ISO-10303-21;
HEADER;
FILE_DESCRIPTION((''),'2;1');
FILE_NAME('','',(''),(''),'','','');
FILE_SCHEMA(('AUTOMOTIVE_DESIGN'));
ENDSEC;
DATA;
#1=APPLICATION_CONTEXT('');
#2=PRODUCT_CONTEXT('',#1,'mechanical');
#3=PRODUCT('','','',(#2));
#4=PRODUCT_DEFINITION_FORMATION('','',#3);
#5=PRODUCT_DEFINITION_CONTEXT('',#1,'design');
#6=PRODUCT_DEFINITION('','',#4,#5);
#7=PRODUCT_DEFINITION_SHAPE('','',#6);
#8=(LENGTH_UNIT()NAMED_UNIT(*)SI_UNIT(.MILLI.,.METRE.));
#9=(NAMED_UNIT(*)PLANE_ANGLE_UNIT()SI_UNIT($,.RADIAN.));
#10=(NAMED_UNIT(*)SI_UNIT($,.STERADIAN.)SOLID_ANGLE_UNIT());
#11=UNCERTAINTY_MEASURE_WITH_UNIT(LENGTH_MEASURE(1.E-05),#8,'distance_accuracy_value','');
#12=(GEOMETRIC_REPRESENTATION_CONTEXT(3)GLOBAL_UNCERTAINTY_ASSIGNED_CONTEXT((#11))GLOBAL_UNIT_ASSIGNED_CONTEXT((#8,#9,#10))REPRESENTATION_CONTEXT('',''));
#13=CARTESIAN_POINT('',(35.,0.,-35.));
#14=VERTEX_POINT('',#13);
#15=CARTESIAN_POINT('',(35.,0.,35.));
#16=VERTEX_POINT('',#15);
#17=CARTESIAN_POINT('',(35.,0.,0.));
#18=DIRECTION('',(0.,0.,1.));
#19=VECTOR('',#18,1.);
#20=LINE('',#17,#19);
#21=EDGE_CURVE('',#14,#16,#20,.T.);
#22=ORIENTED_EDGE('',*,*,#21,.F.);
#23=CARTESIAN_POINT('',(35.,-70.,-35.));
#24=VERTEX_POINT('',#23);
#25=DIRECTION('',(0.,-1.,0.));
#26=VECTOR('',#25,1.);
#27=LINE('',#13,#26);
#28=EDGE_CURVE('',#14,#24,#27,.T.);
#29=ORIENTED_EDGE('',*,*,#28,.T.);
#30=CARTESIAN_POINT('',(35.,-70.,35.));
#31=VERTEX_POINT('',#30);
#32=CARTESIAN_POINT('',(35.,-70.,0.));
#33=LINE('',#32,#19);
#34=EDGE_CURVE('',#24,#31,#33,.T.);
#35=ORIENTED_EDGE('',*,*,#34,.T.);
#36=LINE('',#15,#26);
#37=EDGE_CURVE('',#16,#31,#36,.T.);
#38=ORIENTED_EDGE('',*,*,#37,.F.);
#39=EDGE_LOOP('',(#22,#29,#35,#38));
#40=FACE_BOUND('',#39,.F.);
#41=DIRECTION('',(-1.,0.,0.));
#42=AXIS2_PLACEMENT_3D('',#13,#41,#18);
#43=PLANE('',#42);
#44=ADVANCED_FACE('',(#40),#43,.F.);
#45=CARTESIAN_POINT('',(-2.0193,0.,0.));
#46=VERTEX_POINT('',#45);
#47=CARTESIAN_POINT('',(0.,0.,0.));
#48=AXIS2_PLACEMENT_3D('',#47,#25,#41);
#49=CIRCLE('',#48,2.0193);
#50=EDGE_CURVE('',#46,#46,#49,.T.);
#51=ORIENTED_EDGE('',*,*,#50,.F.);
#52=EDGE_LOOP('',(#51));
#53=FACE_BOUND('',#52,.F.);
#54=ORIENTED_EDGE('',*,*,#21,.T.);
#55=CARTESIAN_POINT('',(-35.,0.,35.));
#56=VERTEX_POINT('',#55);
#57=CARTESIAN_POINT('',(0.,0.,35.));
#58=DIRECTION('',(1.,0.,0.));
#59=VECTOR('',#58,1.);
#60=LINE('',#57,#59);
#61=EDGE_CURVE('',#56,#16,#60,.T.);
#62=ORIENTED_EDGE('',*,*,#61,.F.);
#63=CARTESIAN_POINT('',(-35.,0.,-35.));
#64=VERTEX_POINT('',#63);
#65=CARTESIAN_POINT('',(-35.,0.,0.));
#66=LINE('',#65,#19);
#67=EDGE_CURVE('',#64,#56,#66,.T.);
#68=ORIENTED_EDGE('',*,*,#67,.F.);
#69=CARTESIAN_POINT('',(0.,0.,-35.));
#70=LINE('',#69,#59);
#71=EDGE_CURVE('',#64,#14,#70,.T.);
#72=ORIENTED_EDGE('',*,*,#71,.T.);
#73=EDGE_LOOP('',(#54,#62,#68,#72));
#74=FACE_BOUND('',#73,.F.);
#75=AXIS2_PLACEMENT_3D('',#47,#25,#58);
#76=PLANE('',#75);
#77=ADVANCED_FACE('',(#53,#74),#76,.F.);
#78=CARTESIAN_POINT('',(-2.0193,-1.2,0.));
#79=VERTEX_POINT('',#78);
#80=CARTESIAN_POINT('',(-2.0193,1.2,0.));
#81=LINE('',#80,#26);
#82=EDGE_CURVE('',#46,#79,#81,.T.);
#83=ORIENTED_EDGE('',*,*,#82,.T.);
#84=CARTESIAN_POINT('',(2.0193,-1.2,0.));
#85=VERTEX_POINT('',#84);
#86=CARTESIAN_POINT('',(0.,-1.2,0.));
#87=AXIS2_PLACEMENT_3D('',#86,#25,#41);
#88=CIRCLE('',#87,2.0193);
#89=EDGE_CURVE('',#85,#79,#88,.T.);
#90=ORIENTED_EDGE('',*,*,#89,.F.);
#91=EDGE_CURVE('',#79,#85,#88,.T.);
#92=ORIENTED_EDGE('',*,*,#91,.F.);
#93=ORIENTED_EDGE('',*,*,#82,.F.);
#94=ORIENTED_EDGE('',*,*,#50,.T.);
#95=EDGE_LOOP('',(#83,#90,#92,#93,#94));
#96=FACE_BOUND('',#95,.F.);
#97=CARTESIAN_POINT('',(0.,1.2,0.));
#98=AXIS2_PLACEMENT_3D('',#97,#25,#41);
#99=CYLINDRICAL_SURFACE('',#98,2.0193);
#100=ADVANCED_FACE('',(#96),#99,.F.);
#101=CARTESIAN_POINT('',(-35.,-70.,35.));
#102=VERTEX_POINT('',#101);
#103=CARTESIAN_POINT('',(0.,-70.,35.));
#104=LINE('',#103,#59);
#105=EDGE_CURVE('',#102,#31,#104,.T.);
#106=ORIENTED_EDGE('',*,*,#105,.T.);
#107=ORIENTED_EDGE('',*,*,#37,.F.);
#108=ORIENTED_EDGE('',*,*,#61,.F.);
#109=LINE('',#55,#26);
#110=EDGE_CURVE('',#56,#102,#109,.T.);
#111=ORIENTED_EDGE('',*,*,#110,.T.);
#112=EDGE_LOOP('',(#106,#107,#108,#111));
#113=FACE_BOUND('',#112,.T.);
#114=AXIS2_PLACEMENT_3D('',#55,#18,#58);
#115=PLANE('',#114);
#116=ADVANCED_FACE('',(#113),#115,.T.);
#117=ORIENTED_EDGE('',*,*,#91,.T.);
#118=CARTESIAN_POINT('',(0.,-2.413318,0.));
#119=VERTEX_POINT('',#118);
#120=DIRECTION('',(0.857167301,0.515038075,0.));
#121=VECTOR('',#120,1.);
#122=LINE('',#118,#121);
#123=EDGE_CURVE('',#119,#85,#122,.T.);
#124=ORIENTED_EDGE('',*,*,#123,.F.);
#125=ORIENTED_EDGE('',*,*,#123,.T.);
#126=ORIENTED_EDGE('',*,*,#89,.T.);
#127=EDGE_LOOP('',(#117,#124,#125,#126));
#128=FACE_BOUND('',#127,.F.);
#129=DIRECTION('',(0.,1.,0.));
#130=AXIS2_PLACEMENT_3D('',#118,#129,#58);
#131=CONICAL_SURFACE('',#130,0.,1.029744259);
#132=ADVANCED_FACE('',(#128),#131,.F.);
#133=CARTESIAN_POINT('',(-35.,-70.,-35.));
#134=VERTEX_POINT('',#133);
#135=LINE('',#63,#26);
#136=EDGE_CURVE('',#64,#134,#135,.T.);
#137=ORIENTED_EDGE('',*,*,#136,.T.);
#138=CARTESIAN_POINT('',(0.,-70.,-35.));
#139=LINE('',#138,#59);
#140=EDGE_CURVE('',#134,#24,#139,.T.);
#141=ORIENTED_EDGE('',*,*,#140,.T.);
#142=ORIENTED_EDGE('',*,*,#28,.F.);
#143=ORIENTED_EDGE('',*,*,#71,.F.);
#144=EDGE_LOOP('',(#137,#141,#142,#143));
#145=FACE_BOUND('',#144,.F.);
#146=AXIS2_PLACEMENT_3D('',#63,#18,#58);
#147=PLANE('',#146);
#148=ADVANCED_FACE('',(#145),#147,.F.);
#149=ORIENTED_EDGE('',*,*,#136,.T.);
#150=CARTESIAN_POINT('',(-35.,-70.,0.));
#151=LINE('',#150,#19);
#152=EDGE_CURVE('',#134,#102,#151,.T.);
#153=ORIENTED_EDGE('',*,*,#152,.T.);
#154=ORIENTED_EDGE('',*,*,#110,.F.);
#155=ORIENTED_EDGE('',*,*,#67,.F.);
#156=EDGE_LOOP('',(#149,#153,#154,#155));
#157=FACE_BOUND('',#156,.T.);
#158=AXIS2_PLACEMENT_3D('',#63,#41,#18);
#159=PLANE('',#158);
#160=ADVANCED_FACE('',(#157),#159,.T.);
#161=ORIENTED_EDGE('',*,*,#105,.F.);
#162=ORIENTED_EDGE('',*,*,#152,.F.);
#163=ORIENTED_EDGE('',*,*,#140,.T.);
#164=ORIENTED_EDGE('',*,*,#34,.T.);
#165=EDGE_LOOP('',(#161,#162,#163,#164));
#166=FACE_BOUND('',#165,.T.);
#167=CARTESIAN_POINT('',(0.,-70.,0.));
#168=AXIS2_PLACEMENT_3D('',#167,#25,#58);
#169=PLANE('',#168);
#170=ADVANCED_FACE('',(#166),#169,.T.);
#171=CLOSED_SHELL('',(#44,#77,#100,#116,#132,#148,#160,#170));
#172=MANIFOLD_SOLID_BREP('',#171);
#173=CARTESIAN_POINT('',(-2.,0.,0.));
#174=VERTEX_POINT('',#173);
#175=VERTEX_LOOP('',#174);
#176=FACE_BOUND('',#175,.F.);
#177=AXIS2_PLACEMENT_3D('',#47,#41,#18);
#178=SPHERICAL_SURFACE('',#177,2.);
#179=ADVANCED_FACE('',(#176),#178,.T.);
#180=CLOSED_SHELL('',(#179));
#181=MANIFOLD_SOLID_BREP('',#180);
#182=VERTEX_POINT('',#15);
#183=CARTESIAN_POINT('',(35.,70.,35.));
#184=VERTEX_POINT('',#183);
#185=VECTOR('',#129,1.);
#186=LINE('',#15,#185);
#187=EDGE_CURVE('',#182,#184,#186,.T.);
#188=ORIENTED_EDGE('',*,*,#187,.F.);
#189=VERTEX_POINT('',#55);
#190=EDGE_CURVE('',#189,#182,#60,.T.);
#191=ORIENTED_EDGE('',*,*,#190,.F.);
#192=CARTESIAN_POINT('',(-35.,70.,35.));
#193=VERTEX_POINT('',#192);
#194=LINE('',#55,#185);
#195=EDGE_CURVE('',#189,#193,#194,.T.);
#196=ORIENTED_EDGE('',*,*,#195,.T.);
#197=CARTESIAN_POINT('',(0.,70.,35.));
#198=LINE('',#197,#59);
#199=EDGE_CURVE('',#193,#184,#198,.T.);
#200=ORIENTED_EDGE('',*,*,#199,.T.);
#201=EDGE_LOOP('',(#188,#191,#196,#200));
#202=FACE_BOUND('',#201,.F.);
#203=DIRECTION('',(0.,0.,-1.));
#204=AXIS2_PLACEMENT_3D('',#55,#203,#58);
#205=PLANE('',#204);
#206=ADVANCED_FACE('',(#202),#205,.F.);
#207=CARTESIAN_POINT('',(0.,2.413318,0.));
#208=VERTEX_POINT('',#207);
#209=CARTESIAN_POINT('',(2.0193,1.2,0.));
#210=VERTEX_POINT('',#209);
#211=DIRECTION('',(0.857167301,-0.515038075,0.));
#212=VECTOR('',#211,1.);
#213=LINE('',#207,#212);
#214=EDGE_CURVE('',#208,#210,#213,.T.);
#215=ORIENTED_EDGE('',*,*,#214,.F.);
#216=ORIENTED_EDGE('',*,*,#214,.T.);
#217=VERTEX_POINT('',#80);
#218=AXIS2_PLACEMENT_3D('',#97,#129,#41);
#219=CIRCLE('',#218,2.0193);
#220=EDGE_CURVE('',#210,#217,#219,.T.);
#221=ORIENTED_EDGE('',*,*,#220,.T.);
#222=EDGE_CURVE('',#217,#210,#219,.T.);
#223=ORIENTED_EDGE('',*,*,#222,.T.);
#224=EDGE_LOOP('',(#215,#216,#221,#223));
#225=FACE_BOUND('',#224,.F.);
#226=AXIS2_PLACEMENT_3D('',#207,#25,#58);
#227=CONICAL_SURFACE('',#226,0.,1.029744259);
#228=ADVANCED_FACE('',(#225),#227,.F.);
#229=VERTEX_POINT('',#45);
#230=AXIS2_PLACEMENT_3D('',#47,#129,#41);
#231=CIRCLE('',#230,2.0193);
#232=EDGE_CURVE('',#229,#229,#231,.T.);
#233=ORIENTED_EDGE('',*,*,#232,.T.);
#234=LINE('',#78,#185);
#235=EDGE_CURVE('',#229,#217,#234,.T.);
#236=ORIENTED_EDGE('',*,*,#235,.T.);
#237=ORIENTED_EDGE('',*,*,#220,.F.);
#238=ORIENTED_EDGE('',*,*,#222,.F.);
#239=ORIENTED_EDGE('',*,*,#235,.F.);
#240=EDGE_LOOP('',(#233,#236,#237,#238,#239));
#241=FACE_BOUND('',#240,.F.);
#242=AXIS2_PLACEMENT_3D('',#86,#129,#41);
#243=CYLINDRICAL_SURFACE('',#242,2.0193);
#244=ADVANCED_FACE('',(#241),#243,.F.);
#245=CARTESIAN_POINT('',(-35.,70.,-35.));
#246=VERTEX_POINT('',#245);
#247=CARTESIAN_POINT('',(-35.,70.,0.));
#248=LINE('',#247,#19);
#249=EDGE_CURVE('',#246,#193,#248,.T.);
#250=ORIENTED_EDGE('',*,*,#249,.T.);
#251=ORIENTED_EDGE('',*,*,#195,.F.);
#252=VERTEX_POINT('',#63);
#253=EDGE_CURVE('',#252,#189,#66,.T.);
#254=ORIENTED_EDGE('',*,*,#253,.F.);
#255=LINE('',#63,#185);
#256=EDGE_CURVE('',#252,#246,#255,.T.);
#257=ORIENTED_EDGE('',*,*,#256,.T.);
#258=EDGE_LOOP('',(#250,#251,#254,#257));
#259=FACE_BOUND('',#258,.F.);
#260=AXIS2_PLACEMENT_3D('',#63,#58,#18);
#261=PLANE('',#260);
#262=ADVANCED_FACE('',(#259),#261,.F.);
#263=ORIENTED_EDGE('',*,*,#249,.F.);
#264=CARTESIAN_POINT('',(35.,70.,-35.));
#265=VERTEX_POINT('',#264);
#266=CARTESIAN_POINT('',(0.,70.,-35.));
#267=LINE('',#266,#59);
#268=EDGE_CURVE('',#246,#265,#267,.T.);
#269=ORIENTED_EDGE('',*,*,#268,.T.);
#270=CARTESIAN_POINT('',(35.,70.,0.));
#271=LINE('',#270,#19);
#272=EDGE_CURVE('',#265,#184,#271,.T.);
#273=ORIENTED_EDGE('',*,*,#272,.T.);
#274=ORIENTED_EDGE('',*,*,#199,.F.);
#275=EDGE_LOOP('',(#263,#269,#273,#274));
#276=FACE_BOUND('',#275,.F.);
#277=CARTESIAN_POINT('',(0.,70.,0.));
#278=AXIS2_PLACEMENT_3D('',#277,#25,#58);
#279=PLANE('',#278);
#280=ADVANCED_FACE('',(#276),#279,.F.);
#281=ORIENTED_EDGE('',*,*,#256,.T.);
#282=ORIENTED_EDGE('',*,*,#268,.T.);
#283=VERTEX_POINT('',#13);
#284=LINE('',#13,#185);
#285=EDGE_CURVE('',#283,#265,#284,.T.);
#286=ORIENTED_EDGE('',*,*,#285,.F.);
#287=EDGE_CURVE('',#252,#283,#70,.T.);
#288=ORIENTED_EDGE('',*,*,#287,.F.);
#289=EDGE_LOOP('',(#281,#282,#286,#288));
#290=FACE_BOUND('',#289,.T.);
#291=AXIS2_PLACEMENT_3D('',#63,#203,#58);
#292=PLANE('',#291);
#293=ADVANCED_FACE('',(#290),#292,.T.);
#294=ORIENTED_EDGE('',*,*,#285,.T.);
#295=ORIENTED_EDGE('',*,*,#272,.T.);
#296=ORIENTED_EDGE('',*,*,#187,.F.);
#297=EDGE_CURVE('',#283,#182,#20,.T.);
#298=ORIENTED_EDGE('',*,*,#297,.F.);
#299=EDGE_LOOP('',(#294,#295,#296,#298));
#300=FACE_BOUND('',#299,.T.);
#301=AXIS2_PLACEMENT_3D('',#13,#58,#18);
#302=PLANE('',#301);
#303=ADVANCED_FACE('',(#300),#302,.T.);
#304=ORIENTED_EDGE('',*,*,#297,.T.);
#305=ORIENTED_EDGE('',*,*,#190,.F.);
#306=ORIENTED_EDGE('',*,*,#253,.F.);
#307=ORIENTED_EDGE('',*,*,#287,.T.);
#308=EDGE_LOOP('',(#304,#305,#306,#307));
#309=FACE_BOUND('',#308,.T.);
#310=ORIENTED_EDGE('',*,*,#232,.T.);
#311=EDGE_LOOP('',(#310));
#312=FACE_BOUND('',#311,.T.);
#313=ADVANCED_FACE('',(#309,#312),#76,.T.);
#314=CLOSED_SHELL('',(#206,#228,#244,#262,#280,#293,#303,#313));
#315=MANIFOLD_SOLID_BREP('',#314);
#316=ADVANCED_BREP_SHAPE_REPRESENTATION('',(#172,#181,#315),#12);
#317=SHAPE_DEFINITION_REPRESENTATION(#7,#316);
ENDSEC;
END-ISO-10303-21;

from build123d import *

# Parameters (mm, degrees)
F2_W     = 70
F2_H     = 70
F2_R     = 2
F3_DEPTH = 70
F4_D     = 4.0386
F4_DEPTH = 1.2
F4_TIP   = 1.213317848
F5_W     = 70
F5_H     = 70
F5_R     = 2
F6_DEPTH = 70
F7_D     = 4.0386
F7_DEPTH = 1.2
F7_TIP   = 1.213317848


with BuildPart() as f1:
    # F0 (on Front) → F1 (revolve)
    with BuildSketch(Plane.XZ):
        with BuildLine():
            Line((-2, 0), (2, 0))
            ThreePointArc((2, 0), (0, 2), (-2, 0))
        make_face()
    revolve(axis=Axis((0, 0, 0), (1, 0, 0)))


with BuildPart() as f3:
    # F2 (on Front) → F3 (new body)
    with BuildSketch(Plane.XZ):
        Rectangle(F2_W, F2_H)
        Circle(F2_R, mode=Mode.SUBTRACT)
        Circle(F2_R)
    extrude(amount=F3_DEPTH)

    # F4
    with Locations(Plane(origin=(0, 0, 0), x_dir=(1, 0, 0), z_dir=(0, 1, 0))):
        with Locations((0, 0)):
            Hole(F4_D / 2, depth=F4_DEPTH)
            with Locations((0, 0, -(F4_DEPTH + F4_TIP / 2))):  # 118° drill point
                Cone(0, F4_D / 2, F4_TIP, mode=Mode.SUBTRACT)


with BuildPart() as f6:
    # F5 (on face) → F6 (new body)
    with BuildSketch(Plane.XZ):
        Rectangle(F5_W, F5_H)
        Circle(F5_R, mode=Mode.SUBTRACT)
        Circle(F5_R)
    extrude(amount=-F6_DEPTH)

    # F7
    with Locations(Plane.XZ):
        with Locations((0, 0)):
            Hole(F7_D / 2, depth=F7_DEPTH)
            with Locations((0, 0, -(F7_DEPTH + F7_TIP / 2))):  # 118° drill point
                Cone(0, F7_D / 2, F7_TIP, mode=Mode.SUBTRACT)


solid = Compound([f1.part, f3.part, f6.part])
